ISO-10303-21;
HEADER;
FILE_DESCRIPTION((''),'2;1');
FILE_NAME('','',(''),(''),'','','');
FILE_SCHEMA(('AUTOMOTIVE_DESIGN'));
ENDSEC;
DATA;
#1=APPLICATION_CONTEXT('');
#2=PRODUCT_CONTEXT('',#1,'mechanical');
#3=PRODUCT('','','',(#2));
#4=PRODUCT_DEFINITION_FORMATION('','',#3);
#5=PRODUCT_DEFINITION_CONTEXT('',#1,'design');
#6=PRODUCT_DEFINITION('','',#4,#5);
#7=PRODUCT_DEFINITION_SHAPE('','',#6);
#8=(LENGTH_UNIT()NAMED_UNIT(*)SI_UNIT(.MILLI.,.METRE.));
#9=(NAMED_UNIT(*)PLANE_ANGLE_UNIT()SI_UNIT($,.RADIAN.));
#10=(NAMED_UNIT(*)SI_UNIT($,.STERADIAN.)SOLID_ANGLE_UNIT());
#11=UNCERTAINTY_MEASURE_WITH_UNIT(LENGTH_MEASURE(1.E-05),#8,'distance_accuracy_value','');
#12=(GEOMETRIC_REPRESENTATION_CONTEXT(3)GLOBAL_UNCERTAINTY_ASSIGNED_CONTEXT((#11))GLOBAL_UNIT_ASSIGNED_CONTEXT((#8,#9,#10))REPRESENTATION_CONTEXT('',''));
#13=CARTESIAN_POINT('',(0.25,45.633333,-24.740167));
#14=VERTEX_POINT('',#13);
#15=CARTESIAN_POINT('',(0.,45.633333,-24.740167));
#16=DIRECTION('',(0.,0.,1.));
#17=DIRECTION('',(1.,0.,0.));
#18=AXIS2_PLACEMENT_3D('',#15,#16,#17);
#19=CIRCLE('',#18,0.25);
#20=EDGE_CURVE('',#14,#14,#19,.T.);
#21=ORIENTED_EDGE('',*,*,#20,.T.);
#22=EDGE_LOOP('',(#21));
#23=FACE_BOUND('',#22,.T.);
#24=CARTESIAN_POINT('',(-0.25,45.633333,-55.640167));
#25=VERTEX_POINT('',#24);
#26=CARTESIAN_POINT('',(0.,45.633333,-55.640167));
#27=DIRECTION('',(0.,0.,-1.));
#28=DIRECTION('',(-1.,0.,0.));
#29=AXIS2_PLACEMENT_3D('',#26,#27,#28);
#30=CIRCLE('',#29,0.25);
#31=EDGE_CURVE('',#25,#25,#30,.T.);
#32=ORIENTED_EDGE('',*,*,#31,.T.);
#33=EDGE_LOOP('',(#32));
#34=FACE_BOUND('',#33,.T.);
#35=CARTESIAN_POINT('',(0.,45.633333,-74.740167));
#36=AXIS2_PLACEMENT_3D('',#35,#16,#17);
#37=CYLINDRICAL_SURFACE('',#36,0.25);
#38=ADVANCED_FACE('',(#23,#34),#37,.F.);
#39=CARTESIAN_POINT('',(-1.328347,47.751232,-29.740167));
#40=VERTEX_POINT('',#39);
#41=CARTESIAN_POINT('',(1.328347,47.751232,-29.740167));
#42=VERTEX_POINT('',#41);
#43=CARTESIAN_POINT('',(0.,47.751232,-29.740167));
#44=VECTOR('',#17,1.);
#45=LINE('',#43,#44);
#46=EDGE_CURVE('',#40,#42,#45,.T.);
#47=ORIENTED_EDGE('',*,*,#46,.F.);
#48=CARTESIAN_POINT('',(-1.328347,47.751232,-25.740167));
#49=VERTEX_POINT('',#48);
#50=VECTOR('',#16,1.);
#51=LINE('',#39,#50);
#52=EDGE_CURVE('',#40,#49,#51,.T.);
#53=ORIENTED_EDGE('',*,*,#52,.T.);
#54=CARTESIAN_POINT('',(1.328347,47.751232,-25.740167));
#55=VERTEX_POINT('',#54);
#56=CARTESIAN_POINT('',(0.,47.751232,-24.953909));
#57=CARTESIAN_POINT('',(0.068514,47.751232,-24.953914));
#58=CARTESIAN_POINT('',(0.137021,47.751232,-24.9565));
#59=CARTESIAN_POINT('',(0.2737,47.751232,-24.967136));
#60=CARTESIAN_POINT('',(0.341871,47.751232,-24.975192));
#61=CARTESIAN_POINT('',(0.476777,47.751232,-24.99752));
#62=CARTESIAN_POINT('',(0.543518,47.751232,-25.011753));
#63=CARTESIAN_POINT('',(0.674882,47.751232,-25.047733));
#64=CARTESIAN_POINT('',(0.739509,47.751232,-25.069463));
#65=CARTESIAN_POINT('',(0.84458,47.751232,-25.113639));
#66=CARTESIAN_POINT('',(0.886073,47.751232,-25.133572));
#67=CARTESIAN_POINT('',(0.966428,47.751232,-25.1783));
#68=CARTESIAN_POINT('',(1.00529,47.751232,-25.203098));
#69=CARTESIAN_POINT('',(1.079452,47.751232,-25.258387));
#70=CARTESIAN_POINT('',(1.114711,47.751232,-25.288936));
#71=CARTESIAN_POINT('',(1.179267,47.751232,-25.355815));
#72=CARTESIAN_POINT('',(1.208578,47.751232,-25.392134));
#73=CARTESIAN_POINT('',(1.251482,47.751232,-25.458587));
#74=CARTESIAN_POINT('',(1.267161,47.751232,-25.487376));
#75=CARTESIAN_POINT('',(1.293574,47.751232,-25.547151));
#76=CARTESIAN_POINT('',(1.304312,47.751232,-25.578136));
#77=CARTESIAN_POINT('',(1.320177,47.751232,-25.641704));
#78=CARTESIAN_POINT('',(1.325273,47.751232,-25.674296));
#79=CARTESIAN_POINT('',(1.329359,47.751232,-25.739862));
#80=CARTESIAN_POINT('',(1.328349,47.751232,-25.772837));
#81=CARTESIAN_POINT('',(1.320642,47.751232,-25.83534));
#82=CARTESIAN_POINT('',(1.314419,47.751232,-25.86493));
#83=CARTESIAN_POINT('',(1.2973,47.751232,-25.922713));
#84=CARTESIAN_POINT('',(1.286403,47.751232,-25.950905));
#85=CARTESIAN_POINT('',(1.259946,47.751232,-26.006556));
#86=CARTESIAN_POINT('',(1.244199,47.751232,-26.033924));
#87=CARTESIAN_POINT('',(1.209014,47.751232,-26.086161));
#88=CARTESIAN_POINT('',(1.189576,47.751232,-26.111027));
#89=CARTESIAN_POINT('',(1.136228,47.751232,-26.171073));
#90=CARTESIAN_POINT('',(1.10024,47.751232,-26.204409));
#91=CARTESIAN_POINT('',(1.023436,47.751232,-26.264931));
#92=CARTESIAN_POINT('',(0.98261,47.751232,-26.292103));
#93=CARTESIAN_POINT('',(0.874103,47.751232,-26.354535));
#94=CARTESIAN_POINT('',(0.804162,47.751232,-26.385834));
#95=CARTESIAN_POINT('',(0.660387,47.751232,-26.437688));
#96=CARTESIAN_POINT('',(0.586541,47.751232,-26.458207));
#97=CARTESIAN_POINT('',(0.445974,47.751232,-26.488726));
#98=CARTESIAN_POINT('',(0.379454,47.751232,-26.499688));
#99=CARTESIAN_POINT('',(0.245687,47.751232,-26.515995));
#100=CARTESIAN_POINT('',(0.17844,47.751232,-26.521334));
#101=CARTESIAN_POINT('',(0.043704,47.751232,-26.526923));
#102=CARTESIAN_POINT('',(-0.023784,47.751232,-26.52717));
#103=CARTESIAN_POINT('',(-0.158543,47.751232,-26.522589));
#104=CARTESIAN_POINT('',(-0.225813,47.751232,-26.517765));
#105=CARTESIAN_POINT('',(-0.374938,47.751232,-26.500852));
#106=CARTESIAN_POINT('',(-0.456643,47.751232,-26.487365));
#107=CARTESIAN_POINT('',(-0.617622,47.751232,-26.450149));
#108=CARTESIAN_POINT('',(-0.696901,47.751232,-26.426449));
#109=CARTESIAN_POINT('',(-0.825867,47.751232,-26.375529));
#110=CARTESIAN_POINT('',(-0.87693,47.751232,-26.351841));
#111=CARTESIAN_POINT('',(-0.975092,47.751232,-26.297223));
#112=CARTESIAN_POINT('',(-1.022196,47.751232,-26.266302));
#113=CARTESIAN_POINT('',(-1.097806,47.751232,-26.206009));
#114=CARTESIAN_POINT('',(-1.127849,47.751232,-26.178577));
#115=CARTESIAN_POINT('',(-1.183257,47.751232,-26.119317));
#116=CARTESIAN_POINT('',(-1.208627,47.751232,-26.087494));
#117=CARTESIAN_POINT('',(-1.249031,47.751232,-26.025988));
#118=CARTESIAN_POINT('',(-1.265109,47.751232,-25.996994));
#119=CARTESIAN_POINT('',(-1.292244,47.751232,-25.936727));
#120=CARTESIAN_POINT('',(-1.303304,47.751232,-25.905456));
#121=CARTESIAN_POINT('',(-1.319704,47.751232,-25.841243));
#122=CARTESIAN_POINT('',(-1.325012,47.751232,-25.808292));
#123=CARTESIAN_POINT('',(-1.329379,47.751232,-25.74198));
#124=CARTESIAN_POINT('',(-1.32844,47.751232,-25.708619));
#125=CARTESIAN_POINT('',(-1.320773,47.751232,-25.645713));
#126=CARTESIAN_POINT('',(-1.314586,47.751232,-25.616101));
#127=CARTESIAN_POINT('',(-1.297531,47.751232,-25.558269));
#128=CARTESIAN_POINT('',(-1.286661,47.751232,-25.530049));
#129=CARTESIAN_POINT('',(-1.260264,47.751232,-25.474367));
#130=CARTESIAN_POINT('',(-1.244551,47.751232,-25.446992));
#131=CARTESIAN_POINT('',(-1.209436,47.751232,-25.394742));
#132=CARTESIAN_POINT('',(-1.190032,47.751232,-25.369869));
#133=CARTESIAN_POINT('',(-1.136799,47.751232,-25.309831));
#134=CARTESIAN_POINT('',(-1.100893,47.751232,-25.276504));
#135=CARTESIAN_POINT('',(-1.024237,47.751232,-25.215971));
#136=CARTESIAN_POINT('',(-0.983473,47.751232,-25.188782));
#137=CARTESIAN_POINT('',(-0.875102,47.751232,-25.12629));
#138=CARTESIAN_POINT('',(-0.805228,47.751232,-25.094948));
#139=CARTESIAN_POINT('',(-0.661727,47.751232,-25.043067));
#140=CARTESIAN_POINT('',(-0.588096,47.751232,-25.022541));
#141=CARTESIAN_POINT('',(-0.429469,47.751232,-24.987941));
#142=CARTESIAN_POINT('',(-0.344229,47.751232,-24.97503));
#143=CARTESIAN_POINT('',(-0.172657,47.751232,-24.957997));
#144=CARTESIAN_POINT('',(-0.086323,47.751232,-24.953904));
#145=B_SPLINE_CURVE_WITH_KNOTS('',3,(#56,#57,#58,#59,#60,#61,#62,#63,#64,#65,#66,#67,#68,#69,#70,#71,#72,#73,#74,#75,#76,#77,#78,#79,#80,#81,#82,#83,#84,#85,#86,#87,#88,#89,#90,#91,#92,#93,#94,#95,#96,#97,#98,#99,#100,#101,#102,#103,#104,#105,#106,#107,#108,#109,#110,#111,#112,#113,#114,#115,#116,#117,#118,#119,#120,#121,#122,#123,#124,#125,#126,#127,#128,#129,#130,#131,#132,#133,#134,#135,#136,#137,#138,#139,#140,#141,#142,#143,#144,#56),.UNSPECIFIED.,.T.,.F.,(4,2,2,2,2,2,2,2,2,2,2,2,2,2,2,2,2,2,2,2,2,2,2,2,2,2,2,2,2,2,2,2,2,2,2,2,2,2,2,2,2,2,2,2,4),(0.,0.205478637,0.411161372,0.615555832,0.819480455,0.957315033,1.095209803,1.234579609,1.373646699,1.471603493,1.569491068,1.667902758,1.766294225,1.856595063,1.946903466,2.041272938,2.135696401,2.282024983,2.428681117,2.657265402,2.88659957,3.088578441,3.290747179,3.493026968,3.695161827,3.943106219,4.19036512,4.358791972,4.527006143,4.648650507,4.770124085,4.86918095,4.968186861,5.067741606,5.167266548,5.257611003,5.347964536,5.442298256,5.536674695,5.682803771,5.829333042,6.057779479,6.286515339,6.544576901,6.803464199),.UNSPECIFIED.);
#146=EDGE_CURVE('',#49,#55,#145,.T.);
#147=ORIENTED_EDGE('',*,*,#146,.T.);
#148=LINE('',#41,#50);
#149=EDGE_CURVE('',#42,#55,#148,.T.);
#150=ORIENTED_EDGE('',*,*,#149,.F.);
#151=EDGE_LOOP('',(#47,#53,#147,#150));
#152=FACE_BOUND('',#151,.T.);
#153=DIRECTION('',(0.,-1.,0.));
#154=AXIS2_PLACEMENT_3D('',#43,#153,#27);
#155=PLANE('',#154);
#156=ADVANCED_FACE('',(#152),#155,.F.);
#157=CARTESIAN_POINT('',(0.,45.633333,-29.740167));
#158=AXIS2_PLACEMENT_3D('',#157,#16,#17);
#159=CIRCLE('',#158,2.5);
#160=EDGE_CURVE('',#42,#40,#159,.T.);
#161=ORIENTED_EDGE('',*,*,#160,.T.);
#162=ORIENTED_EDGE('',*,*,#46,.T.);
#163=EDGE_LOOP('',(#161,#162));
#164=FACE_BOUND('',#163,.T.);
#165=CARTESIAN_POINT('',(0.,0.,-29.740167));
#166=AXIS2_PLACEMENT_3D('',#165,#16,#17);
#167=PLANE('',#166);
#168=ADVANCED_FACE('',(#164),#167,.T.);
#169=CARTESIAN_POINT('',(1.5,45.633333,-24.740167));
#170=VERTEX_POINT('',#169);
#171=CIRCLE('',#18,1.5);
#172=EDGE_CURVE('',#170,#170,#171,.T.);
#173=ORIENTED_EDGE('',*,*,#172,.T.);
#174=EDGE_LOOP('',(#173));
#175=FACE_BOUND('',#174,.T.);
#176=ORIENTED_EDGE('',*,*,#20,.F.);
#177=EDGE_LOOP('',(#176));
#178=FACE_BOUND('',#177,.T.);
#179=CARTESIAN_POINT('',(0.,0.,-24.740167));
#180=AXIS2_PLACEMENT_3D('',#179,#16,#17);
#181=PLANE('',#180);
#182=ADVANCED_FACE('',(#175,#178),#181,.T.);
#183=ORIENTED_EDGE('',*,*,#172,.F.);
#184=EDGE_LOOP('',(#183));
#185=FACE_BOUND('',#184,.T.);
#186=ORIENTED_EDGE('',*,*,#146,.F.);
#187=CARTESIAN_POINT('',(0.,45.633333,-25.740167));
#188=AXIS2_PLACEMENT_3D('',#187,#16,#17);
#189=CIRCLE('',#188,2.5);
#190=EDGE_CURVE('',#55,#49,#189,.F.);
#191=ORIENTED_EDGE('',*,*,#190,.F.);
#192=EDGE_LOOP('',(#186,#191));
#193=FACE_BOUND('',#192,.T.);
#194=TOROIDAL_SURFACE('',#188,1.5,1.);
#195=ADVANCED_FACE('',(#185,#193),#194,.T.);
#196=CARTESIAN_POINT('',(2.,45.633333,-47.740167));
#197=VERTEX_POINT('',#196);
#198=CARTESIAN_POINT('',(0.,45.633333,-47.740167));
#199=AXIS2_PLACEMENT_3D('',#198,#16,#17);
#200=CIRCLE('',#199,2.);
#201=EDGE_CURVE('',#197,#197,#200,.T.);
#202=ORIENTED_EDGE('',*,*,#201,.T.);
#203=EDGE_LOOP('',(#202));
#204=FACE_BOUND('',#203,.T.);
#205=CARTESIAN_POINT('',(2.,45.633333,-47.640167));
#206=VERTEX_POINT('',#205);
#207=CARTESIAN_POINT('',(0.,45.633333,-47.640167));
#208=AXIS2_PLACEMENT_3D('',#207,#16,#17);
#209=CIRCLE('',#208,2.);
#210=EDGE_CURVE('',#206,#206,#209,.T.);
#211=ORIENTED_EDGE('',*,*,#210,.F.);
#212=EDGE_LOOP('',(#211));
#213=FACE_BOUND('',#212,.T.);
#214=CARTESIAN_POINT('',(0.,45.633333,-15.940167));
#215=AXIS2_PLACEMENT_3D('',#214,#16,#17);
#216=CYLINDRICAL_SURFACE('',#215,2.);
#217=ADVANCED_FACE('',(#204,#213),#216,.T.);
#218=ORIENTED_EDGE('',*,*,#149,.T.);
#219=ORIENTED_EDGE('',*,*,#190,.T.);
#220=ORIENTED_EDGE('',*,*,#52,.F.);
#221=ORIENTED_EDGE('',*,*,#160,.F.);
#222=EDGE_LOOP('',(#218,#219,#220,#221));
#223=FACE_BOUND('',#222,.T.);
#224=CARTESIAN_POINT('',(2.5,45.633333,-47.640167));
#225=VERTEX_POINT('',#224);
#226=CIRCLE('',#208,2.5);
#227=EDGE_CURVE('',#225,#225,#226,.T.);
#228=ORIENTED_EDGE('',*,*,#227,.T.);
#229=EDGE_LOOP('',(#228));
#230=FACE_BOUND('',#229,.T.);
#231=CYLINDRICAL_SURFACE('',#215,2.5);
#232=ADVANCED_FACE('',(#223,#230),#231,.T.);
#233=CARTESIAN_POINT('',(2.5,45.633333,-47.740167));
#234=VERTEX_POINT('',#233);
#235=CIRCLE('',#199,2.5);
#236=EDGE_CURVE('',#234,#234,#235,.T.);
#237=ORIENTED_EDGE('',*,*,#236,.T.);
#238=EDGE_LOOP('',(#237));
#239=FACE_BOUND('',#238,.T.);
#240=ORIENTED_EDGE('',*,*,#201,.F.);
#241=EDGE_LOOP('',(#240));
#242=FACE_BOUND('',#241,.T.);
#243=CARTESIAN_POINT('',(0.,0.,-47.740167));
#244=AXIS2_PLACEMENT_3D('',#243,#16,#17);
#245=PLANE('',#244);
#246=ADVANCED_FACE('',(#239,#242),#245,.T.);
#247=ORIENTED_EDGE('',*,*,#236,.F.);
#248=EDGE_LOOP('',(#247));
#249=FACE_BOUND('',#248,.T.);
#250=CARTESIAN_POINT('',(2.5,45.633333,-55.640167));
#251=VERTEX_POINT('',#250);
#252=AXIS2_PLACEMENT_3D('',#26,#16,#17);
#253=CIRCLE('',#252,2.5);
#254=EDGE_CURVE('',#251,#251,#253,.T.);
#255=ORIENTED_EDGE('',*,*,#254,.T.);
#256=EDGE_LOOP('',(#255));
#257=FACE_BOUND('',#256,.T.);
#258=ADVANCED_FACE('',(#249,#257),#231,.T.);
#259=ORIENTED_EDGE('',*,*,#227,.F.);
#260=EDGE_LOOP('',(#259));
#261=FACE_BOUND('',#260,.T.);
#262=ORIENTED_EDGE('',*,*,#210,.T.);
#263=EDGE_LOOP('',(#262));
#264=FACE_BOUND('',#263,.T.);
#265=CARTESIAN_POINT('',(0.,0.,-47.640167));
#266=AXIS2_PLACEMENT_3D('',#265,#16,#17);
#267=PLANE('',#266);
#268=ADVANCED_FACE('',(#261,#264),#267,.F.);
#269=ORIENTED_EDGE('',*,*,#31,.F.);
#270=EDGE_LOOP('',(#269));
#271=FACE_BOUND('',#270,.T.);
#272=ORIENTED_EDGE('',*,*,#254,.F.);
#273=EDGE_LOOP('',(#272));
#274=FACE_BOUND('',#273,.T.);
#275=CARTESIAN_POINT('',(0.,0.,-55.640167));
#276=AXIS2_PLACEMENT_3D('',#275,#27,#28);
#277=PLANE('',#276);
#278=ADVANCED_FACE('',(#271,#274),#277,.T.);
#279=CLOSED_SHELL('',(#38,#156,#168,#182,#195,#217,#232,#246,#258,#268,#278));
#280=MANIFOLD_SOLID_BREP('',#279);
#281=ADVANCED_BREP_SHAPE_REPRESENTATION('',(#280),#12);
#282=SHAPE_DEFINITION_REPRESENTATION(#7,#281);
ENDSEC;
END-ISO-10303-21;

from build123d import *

# Parameters (mm, degrees)
SKETCH3_R          = 0.25
CUT_EXTRUDE1_DEPTH = 50
FILLET1_R          = 1
CUT_EXTRUDE2_START = -5
CUT_EXTRUDE2_DEPTH = 5


with BuildPart() as part:
    # Sketch1 → Revolve1 (revolve)
    with BuildSketch(Plane(origin=(0, 0, 0), x_dir=(0, 0, -1), z_dir=(1, 0, 0)), mode=Mode.PRIVATE) as revolve1_sk:
        Polygon((24.740167046, 48.133333333), (47.640167046, 48.133333333), (47.640167046, 47.633333333), (47.740167046, 47.633333333), (47.740167046, 48.133333333), (50.640167046, 48.133333333), (52.640167046, 48.133333333), (55.640167046, 48.133333333), (55.640167046, 45.633333333), (24.740167046, 45.633333333), align=None)
    revolve(revolve1_sk.sketch.rotate(Axis((0, 45.633333333, -15.940167046), (0, 0, -1)), 90), axis=Axis((0, 45.633333333, -15.940167046), (0, 0, -1)))

    # Sketch3 → Cut-Extrude1 (cut)
    with BuildSketch(Plane.XY.offset(-24.740167046)):
        with Locations((0, 45.633333333)):
            Circle(SKETCH3_R)
    extrude(amount=-CUT_EXTRUDE1_DEPTH, mode=Mode.SUBTRACT)

    # Fillet1
    fillet1_edges = [part.edges().sort_by_distance(p)[0] for p in [
        (-2.5, 45.633333333, -24.740167046),
    ]]
    fillet(fillet1_edges, radius=FILLET1_R)

    # Sketch2 → Cut-Extrude2 (cut)
    with BuildSketch(Plane.XY.offset(-24.740167046).offset(CUT_EXTRUDE2_START)):
        with BuildLine():
            Line((-1.328346703, 47.751232065), (1.328346703, 47.751232065))
            ThreePointArc((1.328346703, 47.751232065), (0.691105336, 48.035909745), (0, 48.133333333))
            ThreePointArc((0, 48.133333333), (-0.691105336, 48.035909745), (-1.328346703, 47.751232065))
        make_face()
    extrude(amount=CUT_EXTRUDE2_DEPTH, mode=Mode.SUBTRACT)


solid = part.part
